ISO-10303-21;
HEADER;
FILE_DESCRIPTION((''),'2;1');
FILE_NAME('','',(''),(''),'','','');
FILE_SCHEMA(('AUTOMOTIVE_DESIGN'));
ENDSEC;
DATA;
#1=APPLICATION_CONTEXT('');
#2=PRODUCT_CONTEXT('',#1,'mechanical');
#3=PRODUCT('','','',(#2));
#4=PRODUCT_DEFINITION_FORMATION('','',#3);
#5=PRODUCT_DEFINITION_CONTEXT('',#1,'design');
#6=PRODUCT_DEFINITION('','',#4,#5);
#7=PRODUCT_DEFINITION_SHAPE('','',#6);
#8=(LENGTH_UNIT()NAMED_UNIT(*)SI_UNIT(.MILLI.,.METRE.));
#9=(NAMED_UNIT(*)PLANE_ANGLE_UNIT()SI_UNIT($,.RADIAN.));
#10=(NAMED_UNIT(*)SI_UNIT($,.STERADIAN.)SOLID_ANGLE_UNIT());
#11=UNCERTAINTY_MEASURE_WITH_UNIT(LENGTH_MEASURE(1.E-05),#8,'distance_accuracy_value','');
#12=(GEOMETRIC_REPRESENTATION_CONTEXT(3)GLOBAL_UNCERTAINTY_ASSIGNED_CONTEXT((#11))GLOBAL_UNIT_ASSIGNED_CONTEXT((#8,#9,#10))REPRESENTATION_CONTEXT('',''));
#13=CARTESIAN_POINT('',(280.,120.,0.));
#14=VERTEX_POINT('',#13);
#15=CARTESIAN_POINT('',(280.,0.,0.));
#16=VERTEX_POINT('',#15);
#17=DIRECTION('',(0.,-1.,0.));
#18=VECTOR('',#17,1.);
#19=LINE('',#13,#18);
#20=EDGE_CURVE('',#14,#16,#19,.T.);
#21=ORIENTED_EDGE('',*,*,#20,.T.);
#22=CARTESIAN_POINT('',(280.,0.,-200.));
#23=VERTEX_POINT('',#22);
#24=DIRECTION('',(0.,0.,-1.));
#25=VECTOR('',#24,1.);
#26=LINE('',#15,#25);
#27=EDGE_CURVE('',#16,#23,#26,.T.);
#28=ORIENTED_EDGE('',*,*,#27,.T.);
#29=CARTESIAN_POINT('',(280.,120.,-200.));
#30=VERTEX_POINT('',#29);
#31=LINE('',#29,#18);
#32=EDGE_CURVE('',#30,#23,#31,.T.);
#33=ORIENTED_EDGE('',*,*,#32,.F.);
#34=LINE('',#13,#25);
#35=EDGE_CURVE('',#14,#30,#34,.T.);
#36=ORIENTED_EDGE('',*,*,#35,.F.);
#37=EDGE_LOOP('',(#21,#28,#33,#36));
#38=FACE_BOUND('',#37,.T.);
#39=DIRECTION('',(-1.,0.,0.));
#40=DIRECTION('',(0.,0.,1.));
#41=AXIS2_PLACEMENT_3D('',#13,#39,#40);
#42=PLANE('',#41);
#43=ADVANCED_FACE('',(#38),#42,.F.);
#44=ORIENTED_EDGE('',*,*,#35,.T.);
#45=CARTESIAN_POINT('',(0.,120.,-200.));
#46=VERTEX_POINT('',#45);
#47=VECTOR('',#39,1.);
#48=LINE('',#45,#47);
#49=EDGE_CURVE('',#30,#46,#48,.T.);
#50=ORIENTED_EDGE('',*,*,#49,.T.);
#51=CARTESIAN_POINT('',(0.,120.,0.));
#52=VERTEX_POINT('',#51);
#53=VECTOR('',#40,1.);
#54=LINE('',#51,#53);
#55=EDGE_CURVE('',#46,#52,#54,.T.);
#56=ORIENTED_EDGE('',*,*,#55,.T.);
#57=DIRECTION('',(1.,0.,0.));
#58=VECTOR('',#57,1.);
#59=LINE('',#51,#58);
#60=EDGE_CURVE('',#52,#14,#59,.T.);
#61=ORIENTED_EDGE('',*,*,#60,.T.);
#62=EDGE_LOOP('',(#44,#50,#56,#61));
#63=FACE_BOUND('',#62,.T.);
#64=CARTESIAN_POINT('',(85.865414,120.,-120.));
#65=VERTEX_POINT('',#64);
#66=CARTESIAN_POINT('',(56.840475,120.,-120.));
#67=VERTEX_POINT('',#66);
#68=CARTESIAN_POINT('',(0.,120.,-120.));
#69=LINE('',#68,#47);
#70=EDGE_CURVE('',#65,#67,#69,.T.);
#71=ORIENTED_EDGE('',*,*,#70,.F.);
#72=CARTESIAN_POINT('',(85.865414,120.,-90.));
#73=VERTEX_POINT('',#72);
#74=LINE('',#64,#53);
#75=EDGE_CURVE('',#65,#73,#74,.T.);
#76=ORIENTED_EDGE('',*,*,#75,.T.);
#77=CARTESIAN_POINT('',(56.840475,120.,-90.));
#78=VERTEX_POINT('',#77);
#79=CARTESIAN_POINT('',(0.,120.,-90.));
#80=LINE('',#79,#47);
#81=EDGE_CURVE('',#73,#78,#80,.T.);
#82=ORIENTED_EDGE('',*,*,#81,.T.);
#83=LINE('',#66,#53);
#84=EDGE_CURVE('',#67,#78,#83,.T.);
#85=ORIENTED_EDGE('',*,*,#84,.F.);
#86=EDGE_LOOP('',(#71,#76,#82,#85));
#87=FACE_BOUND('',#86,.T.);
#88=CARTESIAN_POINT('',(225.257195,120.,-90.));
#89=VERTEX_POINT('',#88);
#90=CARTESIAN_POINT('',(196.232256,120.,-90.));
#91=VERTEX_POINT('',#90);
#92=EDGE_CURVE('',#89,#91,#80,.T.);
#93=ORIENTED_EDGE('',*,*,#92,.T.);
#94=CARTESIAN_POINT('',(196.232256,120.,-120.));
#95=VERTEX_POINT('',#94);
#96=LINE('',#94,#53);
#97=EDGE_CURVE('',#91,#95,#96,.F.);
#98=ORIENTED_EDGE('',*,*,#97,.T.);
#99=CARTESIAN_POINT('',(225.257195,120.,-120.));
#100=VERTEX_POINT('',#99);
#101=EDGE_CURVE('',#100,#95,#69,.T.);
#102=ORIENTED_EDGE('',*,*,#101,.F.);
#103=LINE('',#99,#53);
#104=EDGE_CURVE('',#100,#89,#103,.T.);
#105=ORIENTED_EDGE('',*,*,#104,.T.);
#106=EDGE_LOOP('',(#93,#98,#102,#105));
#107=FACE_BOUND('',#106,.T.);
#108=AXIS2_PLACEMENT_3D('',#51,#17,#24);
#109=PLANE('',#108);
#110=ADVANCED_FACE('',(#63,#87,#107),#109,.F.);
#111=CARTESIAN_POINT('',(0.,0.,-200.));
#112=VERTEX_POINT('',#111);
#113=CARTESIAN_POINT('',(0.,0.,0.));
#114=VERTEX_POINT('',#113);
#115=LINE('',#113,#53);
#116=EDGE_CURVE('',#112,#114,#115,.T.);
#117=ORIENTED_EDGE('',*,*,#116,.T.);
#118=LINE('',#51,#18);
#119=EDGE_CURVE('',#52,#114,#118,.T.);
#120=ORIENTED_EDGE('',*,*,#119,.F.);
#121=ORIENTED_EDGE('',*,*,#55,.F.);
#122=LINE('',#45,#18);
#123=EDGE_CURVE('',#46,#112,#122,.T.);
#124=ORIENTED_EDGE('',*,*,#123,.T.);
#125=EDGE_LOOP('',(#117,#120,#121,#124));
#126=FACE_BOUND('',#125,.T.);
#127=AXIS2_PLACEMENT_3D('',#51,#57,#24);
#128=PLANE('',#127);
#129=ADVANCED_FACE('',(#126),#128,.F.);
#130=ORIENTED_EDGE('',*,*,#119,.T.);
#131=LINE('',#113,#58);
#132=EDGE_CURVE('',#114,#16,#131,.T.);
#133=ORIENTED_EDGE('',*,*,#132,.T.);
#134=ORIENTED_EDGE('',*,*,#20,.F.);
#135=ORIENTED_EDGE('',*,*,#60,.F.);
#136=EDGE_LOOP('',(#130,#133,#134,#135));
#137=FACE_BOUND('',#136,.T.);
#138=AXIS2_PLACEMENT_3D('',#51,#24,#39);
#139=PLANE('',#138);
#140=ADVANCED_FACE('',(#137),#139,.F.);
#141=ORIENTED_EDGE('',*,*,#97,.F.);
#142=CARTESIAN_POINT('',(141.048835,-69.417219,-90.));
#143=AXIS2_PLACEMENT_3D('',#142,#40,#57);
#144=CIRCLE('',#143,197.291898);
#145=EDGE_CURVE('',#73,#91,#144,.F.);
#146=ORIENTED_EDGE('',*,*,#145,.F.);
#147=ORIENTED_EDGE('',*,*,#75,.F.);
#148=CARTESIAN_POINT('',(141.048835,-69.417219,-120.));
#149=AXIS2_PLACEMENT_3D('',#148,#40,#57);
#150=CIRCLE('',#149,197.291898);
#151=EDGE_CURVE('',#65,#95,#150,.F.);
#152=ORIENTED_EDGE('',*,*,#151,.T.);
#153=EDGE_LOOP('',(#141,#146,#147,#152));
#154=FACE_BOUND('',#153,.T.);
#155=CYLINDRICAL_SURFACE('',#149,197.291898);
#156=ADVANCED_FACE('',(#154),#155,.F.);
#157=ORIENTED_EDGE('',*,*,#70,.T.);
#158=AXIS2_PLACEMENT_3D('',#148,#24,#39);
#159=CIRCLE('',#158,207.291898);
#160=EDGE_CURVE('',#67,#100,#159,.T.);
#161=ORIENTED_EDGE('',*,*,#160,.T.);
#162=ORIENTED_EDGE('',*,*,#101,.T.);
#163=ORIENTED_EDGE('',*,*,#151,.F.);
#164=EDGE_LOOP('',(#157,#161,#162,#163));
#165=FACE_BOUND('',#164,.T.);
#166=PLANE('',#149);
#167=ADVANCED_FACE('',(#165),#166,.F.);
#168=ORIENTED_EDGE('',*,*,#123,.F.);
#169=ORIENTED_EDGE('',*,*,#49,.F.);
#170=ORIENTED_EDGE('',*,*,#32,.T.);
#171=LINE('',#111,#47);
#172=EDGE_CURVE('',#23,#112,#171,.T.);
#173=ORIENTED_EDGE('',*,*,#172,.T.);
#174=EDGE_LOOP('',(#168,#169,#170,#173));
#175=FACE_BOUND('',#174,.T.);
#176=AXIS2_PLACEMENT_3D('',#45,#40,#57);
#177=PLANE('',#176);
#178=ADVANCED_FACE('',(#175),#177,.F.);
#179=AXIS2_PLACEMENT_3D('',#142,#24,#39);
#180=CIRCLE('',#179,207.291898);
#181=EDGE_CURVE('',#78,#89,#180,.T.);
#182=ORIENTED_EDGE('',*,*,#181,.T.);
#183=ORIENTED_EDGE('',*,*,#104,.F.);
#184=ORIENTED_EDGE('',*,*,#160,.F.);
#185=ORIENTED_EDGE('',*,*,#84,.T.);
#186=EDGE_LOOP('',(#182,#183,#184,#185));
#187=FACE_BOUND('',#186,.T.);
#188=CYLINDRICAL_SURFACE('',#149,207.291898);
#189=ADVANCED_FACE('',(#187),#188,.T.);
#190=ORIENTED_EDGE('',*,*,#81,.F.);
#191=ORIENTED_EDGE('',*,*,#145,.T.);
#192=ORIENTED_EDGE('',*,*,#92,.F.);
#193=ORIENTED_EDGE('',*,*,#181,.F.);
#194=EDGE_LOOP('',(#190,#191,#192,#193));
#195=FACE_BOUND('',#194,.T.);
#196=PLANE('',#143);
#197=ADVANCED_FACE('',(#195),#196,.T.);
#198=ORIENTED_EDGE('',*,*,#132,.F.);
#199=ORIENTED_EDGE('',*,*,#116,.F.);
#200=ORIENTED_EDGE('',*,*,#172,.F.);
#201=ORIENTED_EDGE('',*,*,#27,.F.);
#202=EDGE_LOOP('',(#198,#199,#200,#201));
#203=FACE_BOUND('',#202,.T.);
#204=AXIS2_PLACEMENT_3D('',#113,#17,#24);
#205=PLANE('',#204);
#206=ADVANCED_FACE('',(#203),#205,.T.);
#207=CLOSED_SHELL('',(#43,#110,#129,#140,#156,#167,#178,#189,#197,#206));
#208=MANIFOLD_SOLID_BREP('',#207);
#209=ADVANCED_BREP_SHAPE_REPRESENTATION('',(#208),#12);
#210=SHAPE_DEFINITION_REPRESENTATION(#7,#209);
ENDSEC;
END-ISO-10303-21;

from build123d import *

# Parameters (mm, degrees)
SKETCH_1_W        = 280
SKETCH_1_H        = 200
EXTRUDE_1_DEPTH   = 120
EXTRUDE_START     = -90
EXTRUDE_1_2_DEPTH = 30


with BuildPart() as part:
    # 草图1 → Extrude 1 (new body)
    with BuildSketch(Plane(origin=(0, 0, 0), x_dir=(1, 0, 0), z_dir=(0, 1, 0))):
        with Locations((140, 100)):
            Rectangle(SKETCH_1_W, SKETCH_1_H)
    extrude(amount=EXTRUDE_1_DEPTH)

    # 草图2 → Extrude 1 2 (add)
    with BuildSketch(Plane.XY.offset(EXTRUDE_START)):
        with BuildLine():
            ThreePointArc((56.840474866, 120), (141.048835122, 137.874678511), (225.257195379, 120))
            Line((225.257195379, 120), (221.194887056, 110.862295086))
            ThreePointArc((221.194887056, 110.862295086), (141.048835122, 127.874678511), (60.902783189, 110.862295086))
            Line((60.902783189, 110.862295086), (56.840474866, 120))
        make_face()
    extrude(amount=-EXTRUDE_1_2_DEPTH)


solid = part.part
